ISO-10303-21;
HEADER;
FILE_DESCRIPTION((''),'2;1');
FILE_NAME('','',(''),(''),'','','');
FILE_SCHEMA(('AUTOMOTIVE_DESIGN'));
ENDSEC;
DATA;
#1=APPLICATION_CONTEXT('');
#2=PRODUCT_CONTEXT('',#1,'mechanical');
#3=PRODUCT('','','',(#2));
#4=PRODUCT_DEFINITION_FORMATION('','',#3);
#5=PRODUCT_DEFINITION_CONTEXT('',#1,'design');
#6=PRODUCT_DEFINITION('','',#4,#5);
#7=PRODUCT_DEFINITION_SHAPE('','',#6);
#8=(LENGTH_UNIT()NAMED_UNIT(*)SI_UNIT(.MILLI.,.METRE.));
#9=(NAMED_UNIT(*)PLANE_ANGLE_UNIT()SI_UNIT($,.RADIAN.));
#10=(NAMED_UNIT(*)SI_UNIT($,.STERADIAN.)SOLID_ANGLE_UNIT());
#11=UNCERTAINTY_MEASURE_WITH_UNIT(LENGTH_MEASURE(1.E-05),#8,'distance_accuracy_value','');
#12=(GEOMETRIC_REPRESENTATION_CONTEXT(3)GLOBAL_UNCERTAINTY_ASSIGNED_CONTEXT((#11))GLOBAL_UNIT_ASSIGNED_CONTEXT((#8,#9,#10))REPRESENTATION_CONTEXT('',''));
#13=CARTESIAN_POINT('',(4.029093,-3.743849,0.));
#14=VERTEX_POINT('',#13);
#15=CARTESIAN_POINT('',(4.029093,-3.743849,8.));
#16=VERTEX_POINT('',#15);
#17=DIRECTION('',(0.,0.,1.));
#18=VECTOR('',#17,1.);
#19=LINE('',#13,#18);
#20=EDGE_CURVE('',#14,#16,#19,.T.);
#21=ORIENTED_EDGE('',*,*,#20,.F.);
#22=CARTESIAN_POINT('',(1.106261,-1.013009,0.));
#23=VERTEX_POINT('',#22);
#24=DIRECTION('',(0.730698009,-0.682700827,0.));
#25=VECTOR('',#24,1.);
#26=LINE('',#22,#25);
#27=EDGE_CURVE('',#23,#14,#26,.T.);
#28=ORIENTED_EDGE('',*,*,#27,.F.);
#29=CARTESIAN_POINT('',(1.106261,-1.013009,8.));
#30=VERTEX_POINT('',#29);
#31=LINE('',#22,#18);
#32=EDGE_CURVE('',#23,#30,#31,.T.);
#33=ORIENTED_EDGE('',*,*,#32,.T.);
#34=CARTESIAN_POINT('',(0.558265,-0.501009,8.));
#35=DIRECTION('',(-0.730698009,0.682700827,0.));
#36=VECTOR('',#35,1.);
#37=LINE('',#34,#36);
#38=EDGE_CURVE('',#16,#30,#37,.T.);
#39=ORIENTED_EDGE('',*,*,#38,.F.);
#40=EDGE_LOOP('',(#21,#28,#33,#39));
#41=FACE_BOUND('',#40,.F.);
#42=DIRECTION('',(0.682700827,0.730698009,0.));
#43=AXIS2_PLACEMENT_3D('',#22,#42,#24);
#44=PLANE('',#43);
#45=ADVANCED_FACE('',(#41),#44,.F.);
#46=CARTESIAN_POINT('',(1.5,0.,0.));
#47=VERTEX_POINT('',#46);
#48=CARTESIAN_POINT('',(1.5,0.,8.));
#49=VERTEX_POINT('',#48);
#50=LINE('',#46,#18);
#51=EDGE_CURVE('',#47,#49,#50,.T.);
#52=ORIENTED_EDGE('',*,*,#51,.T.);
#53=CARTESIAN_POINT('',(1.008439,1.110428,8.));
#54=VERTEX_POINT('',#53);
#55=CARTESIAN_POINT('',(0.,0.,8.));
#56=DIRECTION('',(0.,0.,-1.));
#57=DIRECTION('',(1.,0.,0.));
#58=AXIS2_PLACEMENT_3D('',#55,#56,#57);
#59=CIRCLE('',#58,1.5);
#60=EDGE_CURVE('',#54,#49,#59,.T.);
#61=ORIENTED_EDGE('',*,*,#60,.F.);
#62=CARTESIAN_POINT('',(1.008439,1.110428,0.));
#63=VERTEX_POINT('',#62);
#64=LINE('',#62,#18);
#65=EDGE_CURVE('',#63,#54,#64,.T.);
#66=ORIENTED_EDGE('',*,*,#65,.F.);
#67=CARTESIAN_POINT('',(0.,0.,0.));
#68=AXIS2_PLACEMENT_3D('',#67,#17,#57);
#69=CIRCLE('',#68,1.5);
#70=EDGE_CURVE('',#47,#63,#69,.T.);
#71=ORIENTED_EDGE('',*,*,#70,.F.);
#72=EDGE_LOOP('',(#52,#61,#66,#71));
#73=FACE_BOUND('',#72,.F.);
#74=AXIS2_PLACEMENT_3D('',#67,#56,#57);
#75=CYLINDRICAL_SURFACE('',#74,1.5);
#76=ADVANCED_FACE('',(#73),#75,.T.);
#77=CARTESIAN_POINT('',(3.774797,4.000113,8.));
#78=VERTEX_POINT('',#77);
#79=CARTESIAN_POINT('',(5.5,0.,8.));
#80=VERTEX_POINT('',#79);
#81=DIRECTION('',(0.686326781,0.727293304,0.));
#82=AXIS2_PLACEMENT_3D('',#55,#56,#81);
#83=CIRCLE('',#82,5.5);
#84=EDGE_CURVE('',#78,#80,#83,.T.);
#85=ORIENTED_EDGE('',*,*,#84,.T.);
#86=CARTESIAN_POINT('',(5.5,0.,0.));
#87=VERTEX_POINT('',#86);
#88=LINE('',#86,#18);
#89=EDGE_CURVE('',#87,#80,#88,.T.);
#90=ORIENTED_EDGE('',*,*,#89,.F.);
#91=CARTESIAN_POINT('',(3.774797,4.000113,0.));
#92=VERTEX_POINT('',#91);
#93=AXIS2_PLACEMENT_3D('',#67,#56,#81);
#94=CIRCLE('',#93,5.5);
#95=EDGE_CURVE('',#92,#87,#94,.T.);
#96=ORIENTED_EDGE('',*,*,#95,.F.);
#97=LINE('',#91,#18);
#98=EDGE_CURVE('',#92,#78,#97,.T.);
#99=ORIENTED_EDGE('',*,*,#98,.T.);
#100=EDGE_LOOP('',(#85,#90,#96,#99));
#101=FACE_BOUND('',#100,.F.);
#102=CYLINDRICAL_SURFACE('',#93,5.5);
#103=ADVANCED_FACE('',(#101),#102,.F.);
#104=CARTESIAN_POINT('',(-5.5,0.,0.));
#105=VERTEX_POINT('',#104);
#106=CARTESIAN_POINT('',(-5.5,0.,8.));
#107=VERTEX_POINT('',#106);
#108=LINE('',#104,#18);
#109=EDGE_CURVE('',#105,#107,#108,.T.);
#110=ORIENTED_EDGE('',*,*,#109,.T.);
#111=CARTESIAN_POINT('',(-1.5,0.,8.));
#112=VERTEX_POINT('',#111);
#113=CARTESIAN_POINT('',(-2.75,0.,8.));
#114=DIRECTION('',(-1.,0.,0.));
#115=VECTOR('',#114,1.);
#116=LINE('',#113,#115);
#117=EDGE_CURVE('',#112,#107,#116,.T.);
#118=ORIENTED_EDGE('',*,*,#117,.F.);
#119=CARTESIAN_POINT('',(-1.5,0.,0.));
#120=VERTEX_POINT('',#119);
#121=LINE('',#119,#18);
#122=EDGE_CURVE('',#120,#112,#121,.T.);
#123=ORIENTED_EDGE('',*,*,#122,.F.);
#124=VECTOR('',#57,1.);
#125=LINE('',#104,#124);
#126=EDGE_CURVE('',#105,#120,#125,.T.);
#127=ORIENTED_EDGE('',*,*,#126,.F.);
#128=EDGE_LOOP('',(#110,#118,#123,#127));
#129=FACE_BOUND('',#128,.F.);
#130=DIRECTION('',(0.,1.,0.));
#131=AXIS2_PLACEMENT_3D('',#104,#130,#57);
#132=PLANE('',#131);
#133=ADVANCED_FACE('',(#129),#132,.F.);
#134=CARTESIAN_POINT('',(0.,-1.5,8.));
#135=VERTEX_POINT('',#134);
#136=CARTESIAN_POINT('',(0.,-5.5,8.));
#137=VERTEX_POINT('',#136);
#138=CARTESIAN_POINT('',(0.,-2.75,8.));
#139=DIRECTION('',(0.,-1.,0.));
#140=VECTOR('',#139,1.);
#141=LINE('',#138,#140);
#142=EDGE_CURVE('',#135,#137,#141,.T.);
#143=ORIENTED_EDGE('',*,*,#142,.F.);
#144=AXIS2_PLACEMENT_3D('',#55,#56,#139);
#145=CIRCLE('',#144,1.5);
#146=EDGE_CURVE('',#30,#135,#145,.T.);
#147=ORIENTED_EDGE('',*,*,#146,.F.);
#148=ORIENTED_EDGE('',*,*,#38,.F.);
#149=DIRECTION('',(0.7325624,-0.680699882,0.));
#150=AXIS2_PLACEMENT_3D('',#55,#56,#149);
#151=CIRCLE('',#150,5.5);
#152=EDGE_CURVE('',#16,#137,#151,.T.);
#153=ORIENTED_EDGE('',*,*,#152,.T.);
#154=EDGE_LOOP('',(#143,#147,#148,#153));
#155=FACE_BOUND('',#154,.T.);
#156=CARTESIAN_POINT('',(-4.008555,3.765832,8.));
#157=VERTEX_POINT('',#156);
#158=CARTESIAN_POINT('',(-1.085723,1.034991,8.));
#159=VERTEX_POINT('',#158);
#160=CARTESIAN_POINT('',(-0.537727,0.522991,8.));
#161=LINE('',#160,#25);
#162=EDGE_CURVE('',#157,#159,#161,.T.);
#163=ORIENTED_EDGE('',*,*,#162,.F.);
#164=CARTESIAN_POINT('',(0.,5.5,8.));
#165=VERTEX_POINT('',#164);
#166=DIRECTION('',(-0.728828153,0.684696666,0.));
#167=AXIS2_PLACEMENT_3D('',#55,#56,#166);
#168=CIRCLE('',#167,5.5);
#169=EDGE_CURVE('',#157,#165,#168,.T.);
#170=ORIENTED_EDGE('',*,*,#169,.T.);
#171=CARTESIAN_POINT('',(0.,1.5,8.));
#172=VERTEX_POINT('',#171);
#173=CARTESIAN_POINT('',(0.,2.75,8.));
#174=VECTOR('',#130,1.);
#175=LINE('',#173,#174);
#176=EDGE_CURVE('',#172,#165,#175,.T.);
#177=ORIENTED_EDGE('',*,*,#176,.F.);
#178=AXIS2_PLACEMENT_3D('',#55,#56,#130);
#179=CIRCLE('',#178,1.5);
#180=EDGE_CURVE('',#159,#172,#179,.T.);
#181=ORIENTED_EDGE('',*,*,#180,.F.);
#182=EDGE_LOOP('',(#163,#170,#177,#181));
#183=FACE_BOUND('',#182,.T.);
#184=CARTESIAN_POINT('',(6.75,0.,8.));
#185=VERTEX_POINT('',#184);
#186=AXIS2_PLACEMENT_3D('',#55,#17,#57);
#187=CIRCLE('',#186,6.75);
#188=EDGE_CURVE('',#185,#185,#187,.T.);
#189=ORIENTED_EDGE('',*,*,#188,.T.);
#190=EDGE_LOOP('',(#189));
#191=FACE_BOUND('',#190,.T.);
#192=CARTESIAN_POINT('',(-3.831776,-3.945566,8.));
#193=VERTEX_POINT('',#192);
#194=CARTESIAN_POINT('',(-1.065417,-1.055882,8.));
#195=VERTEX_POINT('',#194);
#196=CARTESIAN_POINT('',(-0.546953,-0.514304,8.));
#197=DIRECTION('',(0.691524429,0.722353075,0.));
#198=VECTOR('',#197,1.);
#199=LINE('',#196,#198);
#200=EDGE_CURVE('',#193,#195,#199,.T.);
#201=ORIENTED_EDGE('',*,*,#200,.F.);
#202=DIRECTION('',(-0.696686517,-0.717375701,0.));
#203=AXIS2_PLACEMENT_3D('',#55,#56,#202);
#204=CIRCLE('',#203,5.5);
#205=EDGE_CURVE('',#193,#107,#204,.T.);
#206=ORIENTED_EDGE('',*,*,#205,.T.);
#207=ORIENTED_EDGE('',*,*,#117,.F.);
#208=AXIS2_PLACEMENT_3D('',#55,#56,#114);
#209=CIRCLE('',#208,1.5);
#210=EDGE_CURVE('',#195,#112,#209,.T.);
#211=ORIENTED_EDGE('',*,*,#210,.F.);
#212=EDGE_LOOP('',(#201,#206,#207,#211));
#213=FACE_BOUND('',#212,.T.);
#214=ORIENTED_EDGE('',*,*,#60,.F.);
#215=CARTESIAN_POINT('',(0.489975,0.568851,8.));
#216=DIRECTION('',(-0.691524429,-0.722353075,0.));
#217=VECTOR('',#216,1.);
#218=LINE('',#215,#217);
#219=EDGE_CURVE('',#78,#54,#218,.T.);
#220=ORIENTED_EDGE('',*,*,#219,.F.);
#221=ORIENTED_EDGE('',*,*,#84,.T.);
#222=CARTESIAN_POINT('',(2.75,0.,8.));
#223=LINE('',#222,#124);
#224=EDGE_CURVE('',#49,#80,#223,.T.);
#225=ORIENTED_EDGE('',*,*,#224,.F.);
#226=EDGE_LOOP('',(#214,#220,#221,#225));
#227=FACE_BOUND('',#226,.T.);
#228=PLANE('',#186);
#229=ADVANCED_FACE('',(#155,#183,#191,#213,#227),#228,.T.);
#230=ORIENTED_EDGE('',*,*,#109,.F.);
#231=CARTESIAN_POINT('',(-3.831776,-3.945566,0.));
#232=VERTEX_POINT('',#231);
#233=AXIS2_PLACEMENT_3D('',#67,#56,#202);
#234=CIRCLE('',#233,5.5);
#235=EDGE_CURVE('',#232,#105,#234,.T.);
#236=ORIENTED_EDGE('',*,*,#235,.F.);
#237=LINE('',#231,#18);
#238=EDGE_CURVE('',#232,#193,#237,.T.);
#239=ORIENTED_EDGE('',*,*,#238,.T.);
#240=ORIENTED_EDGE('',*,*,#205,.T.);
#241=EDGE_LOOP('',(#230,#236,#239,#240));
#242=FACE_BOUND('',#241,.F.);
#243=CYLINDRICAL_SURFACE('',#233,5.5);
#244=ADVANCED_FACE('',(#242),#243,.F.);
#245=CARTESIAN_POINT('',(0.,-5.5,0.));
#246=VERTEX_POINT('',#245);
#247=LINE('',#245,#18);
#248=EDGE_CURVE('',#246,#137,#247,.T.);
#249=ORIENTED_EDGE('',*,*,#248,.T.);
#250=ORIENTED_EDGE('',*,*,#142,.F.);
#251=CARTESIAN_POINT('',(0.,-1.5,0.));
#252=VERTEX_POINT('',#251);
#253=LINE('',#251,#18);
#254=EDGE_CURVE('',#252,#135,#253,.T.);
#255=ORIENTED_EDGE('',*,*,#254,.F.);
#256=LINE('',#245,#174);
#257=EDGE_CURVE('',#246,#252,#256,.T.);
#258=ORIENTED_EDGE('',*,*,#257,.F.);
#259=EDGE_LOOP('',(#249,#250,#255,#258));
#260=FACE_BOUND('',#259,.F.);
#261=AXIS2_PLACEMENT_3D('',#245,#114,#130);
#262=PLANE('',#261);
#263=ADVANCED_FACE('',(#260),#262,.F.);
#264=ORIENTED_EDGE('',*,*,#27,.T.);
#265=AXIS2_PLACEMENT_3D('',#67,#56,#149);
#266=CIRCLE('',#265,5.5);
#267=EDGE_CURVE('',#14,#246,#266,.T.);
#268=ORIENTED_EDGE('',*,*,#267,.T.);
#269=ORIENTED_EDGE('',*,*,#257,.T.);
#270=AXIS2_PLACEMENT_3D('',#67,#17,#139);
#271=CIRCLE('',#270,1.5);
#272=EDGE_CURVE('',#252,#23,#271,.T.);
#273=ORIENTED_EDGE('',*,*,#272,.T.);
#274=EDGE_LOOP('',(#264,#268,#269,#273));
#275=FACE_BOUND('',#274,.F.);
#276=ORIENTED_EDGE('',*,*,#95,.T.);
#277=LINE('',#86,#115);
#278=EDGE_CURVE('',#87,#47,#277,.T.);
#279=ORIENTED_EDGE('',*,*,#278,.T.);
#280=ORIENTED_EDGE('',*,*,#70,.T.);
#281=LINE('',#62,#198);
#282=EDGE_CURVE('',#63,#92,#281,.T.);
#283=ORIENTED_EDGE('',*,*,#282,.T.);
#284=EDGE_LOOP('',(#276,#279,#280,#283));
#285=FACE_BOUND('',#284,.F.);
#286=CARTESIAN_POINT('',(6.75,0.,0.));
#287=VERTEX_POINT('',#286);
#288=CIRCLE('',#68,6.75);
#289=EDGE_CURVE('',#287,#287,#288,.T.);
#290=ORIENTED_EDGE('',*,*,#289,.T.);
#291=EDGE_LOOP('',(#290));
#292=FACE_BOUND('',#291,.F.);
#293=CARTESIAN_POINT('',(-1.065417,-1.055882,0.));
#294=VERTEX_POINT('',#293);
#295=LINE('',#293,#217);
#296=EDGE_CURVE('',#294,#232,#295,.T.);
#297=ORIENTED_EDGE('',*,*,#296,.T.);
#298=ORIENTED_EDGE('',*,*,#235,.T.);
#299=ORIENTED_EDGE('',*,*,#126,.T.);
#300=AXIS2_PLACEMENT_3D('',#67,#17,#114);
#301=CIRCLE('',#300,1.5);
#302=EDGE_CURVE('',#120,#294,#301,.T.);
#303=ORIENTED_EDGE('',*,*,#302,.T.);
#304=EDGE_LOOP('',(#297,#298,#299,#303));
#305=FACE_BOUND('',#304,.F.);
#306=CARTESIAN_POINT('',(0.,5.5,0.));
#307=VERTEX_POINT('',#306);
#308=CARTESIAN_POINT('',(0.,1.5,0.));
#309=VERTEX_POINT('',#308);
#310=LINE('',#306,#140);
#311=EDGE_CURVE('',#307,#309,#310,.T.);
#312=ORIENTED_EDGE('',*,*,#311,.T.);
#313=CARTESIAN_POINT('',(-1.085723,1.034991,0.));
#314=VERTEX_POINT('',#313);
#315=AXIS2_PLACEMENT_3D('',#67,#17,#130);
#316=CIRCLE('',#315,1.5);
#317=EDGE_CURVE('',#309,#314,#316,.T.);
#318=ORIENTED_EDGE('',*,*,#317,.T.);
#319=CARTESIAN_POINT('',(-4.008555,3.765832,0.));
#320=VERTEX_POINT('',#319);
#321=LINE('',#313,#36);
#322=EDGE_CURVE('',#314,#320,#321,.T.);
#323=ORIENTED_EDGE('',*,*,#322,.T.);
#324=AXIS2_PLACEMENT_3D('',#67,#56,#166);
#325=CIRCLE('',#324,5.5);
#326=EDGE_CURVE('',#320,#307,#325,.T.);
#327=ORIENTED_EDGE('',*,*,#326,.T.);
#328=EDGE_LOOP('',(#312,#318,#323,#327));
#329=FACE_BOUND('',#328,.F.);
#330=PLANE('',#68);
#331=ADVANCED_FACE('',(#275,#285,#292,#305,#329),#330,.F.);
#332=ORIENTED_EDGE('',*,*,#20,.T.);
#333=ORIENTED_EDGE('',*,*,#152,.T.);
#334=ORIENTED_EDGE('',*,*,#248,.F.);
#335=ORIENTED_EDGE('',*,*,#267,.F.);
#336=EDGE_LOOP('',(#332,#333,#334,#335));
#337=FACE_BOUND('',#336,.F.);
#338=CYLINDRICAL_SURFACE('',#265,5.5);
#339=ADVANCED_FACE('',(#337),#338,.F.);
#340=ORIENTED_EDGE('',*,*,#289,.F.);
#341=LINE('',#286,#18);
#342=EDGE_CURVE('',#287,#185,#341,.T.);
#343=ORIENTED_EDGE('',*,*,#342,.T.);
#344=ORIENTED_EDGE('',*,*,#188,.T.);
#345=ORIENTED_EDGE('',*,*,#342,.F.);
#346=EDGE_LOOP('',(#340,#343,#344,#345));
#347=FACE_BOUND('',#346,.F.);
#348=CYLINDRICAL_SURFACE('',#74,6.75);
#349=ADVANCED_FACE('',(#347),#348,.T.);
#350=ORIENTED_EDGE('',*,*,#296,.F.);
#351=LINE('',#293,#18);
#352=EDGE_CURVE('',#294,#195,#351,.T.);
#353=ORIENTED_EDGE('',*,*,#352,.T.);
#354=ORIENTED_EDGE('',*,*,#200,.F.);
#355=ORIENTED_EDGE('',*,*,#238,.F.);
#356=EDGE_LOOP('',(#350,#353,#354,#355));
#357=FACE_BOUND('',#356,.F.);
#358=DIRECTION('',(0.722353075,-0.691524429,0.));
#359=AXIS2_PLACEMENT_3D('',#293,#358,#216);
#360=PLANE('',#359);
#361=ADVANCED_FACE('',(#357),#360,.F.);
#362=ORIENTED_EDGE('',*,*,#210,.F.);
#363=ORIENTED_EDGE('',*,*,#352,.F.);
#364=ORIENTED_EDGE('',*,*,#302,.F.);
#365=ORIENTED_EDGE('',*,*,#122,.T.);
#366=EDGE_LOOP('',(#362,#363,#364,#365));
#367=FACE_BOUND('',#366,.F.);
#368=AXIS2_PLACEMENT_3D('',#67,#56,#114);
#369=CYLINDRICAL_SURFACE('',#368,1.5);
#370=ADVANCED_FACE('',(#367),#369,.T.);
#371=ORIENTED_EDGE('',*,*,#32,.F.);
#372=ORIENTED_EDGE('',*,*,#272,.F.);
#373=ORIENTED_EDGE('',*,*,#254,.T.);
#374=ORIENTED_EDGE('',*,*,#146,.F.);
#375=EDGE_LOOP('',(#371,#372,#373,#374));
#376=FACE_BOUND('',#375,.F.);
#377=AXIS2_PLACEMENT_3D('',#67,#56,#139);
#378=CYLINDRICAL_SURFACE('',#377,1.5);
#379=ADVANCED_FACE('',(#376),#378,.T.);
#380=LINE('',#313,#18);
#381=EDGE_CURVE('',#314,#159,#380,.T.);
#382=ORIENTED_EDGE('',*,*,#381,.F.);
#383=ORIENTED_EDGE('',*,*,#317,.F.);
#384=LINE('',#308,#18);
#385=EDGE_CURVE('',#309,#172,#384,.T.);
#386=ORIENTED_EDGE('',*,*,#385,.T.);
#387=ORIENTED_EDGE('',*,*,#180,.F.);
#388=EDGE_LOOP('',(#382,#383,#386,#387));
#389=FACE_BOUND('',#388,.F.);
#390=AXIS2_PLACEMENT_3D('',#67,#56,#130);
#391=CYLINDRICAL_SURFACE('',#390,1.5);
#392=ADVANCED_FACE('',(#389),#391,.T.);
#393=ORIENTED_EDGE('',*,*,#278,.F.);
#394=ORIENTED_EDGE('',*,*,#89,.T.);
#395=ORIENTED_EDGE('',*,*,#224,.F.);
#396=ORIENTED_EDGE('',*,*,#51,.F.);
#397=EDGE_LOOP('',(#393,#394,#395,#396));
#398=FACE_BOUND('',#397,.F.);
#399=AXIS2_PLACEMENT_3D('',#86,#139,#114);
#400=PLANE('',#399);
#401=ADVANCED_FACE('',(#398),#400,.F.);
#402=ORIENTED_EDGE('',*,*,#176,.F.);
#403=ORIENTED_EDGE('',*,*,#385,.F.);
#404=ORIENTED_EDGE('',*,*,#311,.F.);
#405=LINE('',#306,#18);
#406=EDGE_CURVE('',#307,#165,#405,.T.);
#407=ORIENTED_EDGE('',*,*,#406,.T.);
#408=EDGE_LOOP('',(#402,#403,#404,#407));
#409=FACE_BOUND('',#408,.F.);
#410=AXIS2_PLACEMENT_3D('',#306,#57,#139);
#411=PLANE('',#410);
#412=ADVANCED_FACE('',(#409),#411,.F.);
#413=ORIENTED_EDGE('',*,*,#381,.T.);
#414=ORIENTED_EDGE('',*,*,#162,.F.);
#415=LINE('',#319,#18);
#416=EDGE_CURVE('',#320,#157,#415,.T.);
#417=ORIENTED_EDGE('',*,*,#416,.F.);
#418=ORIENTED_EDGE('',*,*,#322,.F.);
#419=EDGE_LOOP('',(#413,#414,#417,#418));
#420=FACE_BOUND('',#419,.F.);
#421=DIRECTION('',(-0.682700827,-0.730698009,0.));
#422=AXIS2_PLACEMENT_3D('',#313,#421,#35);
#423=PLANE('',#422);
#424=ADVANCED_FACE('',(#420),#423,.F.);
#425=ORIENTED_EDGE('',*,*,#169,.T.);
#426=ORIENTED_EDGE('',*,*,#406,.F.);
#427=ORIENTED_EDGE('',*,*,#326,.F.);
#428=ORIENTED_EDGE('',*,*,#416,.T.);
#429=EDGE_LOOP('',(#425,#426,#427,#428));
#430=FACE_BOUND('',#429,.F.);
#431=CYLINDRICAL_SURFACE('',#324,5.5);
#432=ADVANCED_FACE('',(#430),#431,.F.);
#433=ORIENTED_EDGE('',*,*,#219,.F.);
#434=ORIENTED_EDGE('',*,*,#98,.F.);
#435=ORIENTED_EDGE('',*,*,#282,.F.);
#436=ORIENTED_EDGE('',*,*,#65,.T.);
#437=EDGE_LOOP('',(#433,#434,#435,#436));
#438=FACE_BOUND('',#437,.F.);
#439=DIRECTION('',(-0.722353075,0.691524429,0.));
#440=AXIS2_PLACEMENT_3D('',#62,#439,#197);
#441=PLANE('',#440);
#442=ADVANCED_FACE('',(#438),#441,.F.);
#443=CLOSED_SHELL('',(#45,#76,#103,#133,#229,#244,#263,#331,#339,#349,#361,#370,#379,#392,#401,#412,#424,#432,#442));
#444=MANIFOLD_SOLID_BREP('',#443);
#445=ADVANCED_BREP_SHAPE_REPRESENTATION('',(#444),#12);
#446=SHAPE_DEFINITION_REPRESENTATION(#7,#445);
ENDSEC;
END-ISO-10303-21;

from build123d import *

# Parameters (mm, degrees)
F0_R     = 6.75
F1_DEPTH = 8
F3_DEPTH = 8.001


with BuildPart() as f1:
    # F0 (on Top) → F1 (new body)
    with BuildSketch(Plane.XY):
        Circle(F0_R)
    extrude(amount=F1_DEPTH)

    # F2 (on face) → F3 (cut, through all)
    with BuildSketch(Plane(origin=(0, 0, 0), x_dir=(1, 0, 0), z_dir=(0, 0, -1))):
        with BuildLine():
            Line((1.106261084, 1.0130085952), (4.0290932015, 3.7438493524))
            ThreePointArc((4.0290932015, 3.7438493524), (2.1975928378, 5.0418831521), (0, 5.5))
            Line((0, 5.5), (0, 1.5))
            ThreePointArc((0, 1.5), (0.6043538315, 1.3728643219), (1.106261084, 1.0130085952))
        make_face()
        with BuildLine():
            Line((-1.0654173052, 1.055881606), (-3.8317758444, 3.9455663571))
            ThreePointArc((-3.8317758444, 3.9455663571), (-5.0658053231, 2.1418721783), (-5.5, 0))
            Line((-5.5, 0), (-1.5, 0))
            ThreePointArc((-1.5, 0), (-1.3871059725, 0.5709089429), (-1.0654173052, 1.055881606))
        make_face()
        with BuildLine():
            ThreePointArc((-4.0085548388, -3.7658316617), (-2.1837955331, -5.0478745101), (0, -5.5))
            Line((0, -5.5), (0, -1.5))
            ThreePointArc((0, -1.5), (-0.5905563661, -1.3788557497), (-1.0857227213, -1.0349909046))
            Line((-1.0857227213, -1.0349909046), (-4.0085548388, -3.7658316617))
        make_face()
        with BuildLine():
            ThreePointArc((3.7747972956, -4.0001131705), (5.0503160855, -2.1781431167), (5.5, 0))
            Line((5.5, 0), (1.5, 0))
            ThreePointArc((1.5, 0), (1.3716154954, -0.6071827836), (1.0084387564, -1.1104284194))
            Line((1.0084387564, -1.1104284194), (3.7747972956, -4.0001131705))
        make_face()
    extrude(amount=-F3_DEPTH, mode=Mode.SUBTRACT)


solid = f1.part
